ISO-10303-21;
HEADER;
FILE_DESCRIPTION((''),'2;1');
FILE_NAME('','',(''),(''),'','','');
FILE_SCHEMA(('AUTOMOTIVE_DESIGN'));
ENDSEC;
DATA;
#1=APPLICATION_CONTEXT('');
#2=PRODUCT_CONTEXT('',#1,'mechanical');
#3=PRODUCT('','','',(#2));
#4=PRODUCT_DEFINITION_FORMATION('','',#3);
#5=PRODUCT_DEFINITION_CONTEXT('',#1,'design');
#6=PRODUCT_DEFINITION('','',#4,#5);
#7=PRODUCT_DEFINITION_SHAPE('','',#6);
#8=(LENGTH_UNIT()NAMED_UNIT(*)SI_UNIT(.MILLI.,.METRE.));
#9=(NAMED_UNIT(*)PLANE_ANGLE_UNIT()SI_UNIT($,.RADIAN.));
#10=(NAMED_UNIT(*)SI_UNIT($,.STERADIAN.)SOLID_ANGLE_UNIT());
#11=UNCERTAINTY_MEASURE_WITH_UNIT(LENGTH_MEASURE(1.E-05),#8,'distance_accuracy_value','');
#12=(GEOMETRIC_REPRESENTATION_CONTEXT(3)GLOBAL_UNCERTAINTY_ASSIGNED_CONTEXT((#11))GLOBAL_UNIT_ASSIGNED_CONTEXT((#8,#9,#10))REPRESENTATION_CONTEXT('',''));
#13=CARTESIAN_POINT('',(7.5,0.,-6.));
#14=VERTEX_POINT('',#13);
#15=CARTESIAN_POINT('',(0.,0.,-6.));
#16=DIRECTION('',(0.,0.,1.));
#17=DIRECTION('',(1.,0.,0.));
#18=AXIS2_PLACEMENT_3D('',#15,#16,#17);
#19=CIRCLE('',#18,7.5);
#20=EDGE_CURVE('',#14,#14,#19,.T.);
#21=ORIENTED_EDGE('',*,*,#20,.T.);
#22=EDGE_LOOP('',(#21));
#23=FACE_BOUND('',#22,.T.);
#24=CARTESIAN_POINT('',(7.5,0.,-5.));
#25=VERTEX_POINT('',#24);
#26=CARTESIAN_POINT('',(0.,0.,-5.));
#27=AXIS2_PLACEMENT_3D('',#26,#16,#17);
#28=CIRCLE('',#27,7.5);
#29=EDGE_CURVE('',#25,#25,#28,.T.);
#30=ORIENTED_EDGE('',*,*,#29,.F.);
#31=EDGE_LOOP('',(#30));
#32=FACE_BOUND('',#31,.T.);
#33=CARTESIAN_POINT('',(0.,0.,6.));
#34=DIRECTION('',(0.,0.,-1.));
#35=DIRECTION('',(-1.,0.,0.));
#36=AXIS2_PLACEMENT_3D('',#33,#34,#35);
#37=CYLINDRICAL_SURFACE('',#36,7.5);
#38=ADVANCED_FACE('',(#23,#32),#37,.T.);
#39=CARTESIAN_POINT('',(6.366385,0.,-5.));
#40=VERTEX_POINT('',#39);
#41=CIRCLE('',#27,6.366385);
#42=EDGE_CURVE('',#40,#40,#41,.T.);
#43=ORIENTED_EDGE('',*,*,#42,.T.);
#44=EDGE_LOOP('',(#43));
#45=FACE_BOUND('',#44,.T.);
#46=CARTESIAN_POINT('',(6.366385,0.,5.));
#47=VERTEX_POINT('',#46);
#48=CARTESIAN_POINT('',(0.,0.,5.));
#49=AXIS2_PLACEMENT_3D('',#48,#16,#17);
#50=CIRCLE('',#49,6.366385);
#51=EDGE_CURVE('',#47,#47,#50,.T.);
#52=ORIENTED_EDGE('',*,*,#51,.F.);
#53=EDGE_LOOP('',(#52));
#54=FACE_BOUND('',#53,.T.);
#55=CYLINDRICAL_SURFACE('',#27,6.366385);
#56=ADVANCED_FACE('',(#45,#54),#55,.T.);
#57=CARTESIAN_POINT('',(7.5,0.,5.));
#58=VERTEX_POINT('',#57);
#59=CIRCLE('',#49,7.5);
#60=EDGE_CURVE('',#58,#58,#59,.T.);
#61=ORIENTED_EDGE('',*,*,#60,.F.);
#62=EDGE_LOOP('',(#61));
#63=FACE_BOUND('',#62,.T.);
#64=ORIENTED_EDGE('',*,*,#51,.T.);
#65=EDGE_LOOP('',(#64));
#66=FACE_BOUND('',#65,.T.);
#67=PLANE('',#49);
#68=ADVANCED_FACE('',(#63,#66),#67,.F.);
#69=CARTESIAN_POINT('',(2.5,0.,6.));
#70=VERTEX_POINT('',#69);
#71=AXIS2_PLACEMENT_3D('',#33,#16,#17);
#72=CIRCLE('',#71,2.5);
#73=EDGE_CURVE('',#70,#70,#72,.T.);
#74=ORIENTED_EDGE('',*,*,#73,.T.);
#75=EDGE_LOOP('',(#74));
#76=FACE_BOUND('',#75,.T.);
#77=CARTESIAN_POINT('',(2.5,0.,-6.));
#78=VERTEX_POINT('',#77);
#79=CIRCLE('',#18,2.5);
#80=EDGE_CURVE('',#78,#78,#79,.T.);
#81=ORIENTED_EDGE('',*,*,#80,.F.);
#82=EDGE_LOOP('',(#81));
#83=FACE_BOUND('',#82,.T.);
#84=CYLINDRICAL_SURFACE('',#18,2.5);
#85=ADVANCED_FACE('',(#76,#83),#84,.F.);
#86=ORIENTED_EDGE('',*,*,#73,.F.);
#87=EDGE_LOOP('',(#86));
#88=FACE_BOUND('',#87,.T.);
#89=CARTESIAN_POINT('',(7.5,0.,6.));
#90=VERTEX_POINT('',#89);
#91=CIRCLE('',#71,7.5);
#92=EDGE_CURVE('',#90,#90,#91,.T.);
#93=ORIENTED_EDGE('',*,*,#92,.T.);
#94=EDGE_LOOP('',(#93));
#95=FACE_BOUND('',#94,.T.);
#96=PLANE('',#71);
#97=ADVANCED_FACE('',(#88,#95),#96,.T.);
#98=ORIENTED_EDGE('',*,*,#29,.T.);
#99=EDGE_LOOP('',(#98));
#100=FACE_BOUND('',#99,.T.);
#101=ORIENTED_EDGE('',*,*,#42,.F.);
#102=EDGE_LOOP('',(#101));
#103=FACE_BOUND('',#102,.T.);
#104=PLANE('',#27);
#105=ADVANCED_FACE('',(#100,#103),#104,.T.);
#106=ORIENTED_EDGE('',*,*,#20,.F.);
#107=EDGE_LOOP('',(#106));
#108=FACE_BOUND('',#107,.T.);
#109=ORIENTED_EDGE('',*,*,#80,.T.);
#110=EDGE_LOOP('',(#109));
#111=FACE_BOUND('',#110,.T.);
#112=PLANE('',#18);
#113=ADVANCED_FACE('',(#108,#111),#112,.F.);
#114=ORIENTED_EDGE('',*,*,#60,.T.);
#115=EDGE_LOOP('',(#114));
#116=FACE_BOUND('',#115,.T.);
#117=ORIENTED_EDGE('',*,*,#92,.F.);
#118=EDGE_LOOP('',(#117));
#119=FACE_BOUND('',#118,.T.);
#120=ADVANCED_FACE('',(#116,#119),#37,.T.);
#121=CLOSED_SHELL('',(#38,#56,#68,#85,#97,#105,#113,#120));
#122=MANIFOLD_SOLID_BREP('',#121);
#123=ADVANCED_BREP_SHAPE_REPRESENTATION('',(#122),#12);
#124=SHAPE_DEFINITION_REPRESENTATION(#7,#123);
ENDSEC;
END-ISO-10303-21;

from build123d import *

# Parameters (mm, degrees)
SKETCH1_R           = 7.5
BOSS_EXTRUDE1_DEPTH = 6
SKETCH2_R           = 7.5
SKETCH2_R_2         = 6.366385485
CUT_EXTRUDE1_DEPTH  = 5
SKETCH3_R           = 2.5
CUT_EXTRUDE2_DEPTH  = 6


with BuildPart() as part:
    # Sketch1 → Boss-Extrude1 (new, symmetric)
    with BuildSketch(Plane.XY):
        Circle(SKETCH1_R)
    extrude(amount=BOSS_EXTRUDE1_DEPTH, both=True)

    # Sketch2 → Cut-Extrude1 (cut, symmetric)
    with BuildSketch(Plane.XY):
        Circle(SKETCH2_R)
        Circle(SKETCH2_R_2, mode=Mode.SUBTRACT)
    extrude(amount=CUT_EXTRUDE1_DEPTH, both=True, mode=Mode.SUBTRACT)

    # Sketch3 → Cut-Extrude2 (cut, symmetric)
    with BuildSketch(Plane.XY):
        Circle(SKETCH3_R)
    extrude(amount=CUT_EXTRUDE2_DEPTH, both=True, mode=Mode.SUBTRACT)


solid = part.part
